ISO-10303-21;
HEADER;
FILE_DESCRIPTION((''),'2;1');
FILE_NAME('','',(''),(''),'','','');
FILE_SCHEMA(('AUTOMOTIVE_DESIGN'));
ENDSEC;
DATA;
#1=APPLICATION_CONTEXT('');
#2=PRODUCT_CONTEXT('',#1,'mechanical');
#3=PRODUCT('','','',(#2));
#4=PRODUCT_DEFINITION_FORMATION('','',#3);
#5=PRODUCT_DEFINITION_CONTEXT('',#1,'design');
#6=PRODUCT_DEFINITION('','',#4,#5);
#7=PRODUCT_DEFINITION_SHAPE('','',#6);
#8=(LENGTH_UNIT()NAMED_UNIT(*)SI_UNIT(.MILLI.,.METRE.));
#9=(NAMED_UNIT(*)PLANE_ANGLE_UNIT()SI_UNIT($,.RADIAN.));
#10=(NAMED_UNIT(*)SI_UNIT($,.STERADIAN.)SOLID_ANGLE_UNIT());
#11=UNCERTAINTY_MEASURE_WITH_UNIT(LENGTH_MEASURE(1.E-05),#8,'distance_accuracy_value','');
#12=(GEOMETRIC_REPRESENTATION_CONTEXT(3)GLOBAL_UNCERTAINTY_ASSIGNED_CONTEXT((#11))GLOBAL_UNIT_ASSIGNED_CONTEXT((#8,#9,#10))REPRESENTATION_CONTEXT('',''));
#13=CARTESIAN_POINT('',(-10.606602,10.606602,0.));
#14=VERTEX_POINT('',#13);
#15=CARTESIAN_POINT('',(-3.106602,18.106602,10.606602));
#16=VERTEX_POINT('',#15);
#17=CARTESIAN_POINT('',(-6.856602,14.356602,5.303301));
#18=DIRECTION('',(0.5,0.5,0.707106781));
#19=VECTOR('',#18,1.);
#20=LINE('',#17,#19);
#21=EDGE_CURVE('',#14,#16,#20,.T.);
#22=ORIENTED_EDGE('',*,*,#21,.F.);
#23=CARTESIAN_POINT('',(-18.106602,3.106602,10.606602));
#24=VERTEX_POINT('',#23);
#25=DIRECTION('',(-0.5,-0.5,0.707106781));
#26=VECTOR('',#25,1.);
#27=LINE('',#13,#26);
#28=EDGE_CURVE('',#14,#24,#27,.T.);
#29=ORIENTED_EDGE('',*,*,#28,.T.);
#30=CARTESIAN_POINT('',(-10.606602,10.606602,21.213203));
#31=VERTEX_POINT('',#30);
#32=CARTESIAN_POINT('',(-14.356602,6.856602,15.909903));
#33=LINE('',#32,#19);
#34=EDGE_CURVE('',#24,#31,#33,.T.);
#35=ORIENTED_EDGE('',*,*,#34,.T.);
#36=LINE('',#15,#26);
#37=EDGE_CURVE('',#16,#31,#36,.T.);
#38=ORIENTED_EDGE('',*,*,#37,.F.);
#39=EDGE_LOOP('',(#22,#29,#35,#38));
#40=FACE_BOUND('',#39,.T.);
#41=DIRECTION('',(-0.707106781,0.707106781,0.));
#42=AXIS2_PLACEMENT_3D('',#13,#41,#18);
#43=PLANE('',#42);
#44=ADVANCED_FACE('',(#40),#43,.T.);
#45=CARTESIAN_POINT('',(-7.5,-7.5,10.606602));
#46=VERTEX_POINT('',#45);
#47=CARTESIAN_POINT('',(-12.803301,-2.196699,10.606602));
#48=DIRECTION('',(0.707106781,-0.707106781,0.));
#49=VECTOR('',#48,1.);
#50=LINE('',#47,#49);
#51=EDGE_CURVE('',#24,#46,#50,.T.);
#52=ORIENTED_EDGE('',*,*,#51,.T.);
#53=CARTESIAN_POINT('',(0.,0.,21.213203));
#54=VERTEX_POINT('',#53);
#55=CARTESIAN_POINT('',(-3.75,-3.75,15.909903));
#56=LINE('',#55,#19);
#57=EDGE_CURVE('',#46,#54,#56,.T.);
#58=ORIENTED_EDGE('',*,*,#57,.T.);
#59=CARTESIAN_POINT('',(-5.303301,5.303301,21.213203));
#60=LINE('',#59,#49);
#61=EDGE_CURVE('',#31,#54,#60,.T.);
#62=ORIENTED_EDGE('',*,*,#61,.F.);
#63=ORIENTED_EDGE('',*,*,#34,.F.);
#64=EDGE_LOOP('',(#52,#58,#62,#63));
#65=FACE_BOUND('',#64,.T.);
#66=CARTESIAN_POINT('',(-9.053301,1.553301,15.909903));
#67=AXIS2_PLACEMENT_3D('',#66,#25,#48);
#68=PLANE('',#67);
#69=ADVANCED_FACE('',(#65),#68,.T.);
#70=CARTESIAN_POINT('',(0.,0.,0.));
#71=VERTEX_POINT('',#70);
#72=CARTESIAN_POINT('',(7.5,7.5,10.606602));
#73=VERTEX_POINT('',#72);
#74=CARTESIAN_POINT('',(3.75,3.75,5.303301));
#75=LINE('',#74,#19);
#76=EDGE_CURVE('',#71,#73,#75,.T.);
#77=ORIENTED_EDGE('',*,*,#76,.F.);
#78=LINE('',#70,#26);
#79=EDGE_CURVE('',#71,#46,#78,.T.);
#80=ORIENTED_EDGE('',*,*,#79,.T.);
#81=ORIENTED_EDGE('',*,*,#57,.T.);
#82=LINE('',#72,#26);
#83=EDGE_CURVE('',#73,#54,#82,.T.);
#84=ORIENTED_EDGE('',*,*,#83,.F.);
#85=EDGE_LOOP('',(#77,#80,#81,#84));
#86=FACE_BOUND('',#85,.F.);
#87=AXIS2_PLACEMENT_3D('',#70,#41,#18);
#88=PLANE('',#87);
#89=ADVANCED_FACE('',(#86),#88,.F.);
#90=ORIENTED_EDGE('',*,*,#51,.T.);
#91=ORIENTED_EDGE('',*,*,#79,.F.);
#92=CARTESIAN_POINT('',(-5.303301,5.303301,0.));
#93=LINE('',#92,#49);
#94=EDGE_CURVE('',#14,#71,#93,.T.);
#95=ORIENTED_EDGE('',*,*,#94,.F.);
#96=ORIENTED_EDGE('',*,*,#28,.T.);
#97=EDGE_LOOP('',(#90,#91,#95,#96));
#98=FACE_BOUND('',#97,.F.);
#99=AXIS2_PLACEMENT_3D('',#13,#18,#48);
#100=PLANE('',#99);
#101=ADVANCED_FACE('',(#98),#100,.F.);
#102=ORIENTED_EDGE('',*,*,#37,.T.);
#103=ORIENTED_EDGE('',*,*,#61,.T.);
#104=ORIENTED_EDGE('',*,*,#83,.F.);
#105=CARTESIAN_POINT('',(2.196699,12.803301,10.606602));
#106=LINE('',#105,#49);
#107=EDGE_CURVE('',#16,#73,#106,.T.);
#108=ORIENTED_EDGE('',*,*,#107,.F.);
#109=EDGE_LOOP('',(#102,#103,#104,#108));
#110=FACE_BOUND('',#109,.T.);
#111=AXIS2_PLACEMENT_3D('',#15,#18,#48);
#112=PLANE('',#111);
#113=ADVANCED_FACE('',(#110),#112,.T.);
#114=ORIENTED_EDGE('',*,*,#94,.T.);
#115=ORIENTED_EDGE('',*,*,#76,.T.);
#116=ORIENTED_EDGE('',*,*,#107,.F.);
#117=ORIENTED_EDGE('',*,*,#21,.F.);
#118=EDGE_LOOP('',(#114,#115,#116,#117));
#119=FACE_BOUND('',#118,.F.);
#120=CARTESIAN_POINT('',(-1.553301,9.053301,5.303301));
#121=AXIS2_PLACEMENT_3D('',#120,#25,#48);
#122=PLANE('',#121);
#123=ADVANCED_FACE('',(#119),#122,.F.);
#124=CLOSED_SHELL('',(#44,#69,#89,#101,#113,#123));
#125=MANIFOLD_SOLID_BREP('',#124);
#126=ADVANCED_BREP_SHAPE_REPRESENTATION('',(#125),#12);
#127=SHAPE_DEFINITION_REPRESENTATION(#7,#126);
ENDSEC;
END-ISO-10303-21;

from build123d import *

# Parameters (mm, degrees)
F0_W     = 15
F0_H     = 15
F1_DEPTH = 15
F4_ANGLE = 45
F5_ANGLE = 45


with BuildPart() as f1:
    # F0 (on Front) → F1 (new body)
    with BuildSketch(Plane.XZ):
        with Locations((-7.5, 7.5)):
            Rectangle(F0_W, F0_H)
    extrude(amount=F1_DEPTH)


with BuildPart() as f1_1:
    # F4: moved
    add(f1.part.rotate(Axis((-5.703268, 0, 0), (-1, 0, 0)), F4_ANGLE))


with BuildPart() as f1_2:
    # F5: moved
    add(f1_1.part.rotate(Axis((0, 0, 2.941495), (0, 0, -1)), F5_ANGLE))


solid = f1_2.part
